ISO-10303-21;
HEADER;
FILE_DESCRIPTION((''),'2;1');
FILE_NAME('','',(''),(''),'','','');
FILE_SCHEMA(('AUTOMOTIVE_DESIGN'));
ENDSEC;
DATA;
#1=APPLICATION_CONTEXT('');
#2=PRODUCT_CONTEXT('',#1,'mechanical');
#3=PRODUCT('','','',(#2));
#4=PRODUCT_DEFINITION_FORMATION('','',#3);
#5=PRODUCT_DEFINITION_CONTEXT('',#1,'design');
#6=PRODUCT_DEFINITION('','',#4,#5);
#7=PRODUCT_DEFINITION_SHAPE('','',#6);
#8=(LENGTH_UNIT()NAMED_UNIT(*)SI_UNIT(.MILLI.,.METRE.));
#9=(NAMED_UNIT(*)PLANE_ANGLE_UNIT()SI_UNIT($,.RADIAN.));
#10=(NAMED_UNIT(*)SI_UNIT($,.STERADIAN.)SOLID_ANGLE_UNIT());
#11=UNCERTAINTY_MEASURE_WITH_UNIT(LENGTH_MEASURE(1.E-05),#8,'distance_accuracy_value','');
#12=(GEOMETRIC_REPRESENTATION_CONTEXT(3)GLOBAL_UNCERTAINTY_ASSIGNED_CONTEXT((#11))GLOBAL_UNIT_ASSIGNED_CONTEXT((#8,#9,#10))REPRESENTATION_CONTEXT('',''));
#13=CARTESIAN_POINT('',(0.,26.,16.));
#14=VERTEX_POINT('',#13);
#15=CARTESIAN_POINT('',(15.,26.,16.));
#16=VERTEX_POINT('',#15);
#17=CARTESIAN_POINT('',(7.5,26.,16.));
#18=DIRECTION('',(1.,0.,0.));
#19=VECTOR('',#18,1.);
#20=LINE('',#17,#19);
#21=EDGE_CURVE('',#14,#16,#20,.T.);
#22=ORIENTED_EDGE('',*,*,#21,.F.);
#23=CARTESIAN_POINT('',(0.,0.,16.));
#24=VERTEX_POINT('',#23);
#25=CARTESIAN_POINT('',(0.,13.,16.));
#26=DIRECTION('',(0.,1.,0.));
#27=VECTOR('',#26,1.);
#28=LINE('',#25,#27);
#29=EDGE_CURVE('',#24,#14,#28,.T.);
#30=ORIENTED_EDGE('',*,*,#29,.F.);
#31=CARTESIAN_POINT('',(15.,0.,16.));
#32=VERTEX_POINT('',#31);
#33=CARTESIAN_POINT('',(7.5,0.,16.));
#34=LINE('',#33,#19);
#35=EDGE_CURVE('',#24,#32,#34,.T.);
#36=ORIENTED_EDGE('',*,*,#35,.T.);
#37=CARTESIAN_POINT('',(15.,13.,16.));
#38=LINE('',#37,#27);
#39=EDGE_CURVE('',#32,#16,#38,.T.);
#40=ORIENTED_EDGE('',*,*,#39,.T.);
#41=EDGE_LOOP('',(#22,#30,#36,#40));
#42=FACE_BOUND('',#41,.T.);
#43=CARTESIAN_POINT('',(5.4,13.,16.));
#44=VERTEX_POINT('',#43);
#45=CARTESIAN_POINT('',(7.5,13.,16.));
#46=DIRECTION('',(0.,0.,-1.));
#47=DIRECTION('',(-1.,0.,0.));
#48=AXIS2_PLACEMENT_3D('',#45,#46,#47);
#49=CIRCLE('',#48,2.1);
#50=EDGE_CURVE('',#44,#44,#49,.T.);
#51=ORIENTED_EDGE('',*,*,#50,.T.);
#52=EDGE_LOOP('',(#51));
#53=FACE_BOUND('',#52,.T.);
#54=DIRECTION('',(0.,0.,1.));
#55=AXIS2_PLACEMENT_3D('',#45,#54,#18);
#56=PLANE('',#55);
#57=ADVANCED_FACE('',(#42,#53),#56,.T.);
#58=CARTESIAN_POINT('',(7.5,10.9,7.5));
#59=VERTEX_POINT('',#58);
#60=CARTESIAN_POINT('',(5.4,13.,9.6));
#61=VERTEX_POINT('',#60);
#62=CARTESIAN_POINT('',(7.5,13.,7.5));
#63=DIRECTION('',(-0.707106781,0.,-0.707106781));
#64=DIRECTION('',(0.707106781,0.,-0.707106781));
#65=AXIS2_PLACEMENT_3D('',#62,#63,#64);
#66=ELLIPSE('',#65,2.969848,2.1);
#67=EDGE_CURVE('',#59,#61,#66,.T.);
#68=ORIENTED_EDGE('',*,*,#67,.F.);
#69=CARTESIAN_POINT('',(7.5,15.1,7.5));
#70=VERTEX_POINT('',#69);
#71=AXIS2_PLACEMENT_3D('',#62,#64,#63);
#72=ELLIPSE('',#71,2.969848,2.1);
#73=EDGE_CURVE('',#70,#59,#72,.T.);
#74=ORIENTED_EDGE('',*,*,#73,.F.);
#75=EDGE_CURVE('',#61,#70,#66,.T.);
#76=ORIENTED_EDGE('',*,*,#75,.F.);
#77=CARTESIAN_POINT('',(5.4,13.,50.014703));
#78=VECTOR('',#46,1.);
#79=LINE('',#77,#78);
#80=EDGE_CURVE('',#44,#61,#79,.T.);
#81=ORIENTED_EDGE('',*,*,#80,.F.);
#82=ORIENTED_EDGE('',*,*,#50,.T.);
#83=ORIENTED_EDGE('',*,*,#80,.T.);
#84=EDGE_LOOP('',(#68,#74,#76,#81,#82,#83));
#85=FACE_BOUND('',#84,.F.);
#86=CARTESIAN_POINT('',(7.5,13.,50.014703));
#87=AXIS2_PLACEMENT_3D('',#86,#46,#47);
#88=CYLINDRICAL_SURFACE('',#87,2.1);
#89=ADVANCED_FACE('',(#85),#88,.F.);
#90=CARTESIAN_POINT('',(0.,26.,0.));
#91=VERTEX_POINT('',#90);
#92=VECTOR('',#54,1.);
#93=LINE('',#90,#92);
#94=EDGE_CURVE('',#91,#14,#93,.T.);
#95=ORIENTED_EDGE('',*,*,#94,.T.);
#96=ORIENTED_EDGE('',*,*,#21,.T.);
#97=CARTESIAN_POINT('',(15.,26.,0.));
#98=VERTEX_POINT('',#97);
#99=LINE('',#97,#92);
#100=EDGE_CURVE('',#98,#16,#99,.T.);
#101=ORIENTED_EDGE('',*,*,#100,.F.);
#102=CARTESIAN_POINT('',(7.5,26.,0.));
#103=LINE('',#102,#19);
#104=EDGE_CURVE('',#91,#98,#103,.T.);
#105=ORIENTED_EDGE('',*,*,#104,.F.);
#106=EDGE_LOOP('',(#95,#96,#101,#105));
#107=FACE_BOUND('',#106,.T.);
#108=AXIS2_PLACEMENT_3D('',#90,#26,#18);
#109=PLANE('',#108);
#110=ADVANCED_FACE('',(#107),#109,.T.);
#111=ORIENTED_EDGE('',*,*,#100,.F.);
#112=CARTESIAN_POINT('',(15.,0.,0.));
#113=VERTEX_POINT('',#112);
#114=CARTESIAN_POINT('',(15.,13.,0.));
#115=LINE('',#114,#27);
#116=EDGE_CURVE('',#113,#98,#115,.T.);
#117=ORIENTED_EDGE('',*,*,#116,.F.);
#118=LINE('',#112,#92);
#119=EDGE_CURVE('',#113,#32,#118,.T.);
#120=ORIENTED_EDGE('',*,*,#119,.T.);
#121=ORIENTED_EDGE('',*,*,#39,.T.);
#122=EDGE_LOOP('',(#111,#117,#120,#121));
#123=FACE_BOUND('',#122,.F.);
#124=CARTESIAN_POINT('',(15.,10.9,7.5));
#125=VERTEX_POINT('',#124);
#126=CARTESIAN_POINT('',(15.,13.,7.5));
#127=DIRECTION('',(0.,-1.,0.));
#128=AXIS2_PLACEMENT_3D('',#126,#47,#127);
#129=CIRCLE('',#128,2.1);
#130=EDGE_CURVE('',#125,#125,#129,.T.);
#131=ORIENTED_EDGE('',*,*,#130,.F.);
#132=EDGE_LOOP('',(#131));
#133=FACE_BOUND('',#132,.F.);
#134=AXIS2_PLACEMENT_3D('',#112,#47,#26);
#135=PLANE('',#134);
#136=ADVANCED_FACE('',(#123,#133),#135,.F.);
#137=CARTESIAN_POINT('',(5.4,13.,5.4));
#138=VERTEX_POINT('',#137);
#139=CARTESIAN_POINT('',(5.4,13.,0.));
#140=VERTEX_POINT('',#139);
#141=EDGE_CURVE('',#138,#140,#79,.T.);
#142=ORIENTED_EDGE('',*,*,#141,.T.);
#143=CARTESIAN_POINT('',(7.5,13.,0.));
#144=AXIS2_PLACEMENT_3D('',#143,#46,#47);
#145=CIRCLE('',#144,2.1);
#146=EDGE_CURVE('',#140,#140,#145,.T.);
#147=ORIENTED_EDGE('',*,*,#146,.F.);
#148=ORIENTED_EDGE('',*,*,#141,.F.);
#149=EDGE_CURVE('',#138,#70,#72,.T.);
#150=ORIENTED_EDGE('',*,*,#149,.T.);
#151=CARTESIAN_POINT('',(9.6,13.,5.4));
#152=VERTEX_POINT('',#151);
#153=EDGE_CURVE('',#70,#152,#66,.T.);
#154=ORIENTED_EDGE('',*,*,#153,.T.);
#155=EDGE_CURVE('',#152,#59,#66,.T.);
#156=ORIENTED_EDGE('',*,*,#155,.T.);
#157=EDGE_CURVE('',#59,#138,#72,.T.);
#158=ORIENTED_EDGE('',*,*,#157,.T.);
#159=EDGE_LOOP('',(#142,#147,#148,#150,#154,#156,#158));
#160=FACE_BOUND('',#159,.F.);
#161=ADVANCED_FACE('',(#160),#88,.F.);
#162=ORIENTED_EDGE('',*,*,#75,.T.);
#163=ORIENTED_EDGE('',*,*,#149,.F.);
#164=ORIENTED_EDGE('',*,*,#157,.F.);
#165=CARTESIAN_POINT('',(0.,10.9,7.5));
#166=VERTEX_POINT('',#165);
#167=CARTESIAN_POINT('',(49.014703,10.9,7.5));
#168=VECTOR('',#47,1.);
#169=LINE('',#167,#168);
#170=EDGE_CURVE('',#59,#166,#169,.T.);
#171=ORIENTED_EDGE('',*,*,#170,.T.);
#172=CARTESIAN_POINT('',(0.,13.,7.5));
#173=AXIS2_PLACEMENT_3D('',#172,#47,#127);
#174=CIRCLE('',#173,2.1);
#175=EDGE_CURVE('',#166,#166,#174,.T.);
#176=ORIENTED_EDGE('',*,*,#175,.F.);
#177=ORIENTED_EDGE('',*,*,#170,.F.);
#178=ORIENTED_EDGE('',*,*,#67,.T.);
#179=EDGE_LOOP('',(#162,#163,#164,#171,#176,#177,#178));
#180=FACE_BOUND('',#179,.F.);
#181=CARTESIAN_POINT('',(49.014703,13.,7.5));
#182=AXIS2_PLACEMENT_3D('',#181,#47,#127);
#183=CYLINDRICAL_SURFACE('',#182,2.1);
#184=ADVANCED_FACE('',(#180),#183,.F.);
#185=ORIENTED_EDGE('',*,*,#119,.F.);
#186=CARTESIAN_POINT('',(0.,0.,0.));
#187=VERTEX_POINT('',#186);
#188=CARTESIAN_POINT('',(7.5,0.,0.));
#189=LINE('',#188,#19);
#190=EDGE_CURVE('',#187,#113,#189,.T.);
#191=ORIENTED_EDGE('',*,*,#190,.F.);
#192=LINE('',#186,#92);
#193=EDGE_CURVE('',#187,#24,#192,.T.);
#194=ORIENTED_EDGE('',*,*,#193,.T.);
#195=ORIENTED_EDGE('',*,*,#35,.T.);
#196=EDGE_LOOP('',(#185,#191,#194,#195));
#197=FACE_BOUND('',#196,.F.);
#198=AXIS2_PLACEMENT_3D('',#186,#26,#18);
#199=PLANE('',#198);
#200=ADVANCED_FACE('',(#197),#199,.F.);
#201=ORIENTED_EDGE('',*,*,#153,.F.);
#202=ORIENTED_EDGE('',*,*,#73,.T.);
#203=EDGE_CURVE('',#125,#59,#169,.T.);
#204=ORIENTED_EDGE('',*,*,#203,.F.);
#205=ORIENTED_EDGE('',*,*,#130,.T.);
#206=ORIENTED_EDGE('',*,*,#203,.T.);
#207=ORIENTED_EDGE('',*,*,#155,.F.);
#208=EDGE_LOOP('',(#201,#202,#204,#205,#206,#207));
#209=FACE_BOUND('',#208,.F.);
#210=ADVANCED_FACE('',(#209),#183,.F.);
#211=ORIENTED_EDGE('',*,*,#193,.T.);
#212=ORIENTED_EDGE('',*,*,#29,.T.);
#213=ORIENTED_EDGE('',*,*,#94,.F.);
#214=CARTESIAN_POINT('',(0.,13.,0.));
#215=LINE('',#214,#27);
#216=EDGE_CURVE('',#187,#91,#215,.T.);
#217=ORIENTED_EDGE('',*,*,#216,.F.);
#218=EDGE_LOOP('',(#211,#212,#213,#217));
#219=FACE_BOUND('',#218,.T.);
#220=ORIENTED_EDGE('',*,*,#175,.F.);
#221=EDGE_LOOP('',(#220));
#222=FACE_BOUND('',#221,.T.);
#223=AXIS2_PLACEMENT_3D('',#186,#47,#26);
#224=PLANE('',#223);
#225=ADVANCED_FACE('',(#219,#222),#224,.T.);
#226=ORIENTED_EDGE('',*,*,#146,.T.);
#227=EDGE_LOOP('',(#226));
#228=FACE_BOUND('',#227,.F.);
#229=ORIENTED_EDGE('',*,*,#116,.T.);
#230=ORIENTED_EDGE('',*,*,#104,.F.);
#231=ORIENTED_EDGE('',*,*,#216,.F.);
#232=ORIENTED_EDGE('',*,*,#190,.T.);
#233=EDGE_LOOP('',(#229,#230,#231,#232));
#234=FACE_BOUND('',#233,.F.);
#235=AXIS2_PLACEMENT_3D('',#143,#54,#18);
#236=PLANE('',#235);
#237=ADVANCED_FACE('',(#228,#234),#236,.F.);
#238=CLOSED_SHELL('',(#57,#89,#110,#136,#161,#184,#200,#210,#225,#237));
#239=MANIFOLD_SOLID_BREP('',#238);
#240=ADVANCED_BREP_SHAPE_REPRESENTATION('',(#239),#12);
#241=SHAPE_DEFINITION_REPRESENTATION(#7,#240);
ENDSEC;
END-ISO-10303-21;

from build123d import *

# Parameters (mm, degrees)
F0_W     = 15
F0_H     = 26
F1_DEPTH = 16
F3_D     = 4.2
F5_D     = 4.2


with BuildPart() as f1:
    # F0 (on Top) → F1 (new body)
    with BuildSketch(Plane.XY):
        with Locations((7.5, 13)):
            Rectangle(F0_W, F0_H)
    extrude(amount=F1_DEPTH)

    # F3 (through all)
    with Locations(Plane.XY.offset(16)):
        with Locations((7.5, 13)):
            Hole(F3_D / 2)

    # F5 (through all)
    with Locations(Plane.YZ.offset(15)):
        with Locations((13, 7.5)):
            Hole(F5_D / 2)


solid = f1.part
